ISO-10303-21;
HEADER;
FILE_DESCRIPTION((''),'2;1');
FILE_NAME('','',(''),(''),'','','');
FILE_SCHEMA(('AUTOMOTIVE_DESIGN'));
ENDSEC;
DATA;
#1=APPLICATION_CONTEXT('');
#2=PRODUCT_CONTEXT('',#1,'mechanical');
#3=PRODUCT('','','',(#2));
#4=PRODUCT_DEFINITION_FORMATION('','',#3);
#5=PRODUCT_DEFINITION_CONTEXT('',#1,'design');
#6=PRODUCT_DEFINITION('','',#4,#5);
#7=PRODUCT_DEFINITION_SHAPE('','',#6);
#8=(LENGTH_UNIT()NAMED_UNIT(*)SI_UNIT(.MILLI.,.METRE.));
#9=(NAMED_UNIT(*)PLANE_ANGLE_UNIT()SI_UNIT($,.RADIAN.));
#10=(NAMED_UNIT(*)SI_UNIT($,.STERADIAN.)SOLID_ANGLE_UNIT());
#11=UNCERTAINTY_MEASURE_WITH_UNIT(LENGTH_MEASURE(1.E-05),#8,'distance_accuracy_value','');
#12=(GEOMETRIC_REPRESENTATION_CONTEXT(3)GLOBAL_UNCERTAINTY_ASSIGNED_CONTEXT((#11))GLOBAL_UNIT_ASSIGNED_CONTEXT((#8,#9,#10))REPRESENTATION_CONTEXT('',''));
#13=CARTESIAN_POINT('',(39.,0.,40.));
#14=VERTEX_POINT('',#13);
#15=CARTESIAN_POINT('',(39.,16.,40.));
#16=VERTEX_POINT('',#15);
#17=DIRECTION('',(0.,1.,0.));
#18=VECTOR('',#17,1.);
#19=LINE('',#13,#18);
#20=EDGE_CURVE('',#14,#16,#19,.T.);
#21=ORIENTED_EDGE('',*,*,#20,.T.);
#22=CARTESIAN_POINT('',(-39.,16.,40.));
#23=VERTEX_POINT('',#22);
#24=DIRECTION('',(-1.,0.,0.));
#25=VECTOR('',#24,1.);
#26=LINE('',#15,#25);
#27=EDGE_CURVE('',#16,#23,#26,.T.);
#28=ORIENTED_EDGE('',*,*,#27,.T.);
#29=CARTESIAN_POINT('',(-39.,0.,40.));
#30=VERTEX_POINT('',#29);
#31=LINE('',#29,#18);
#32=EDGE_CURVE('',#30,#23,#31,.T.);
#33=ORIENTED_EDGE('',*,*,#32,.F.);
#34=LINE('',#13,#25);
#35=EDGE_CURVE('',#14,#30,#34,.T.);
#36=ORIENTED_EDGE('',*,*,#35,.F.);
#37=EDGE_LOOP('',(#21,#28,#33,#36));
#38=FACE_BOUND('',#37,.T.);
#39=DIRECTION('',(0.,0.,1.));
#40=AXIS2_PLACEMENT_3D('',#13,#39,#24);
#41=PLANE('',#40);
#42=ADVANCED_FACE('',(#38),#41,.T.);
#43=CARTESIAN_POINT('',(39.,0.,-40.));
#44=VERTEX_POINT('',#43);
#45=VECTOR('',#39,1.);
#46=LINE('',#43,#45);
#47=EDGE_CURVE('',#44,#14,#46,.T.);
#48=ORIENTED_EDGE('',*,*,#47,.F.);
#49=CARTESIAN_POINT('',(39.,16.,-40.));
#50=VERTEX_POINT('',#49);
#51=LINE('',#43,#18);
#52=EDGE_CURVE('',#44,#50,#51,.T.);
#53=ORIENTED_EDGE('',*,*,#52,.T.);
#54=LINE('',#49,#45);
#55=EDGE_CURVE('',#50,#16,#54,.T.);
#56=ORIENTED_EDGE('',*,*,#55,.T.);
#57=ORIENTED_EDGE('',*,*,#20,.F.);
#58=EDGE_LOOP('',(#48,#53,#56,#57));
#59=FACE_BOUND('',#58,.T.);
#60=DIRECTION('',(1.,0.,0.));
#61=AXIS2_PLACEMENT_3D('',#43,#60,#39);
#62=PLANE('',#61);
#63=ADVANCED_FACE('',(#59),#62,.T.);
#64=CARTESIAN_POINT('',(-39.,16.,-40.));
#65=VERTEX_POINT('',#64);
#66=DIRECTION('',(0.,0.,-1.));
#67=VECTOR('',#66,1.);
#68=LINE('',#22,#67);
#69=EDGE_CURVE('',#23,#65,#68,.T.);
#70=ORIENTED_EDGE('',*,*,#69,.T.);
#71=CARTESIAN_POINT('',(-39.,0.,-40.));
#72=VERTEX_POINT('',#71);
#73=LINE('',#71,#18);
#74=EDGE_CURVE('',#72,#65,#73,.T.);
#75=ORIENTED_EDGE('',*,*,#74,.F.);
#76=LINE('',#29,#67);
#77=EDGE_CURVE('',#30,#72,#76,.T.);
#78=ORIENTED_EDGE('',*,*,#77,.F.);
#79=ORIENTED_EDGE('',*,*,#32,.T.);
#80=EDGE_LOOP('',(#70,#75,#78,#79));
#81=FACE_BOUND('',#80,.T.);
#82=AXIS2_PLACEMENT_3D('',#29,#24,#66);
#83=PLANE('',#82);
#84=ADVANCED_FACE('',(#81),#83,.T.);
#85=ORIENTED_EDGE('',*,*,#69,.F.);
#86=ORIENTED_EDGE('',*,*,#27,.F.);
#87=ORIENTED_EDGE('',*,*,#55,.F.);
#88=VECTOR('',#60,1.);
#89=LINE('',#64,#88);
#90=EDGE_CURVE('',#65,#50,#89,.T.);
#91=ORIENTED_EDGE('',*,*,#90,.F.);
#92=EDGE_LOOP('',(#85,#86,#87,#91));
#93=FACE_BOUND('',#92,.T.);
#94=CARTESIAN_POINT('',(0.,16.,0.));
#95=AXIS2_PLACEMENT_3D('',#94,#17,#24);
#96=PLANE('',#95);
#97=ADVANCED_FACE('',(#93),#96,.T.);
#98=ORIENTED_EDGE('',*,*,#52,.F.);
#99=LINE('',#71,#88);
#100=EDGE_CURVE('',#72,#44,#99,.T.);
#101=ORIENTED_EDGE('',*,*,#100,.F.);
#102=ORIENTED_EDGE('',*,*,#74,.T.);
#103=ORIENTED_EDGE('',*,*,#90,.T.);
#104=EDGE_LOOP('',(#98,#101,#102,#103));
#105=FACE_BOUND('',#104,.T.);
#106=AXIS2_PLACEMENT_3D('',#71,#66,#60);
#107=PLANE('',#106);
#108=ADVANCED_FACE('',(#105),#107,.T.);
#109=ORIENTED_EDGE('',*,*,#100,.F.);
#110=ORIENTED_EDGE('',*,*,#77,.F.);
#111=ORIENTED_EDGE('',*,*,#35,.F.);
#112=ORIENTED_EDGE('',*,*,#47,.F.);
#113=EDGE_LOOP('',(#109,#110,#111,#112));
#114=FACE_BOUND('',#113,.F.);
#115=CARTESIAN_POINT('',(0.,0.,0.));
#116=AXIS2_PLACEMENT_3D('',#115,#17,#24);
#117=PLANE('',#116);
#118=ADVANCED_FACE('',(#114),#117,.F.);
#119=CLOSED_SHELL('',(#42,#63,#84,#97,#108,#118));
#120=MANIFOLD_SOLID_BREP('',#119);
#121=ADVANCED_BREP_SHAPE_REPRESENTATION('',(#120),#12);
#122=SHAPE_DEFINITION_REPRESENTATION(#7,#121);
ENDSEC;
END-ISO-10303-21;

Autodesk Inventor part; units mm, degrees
ref_plane "YZ Plane" through (0, 0, 0) normal (1, 0, 0) x (0, 1, 0)
ref_plane "XZ Plane" through (0, 0, 0) normal (0, 1, 0) x (-1, 0, 0)
ref_plane "XY Plane" through (0, 0, 0) normal (0, 0, 1) x (1, 0, 0)
sketch "Эскиз1" plane through (0, 0, 0) normal (0, 1, 0) x (-1, 0, 0)
  line L0 (39, -40) -> (-39, -40)
  line L1 (-39, -40) -> (-39, 40)
  line L2 (-39, 40) -> (39, 40)
  line L3 (39, 40) -> (39, -40)
  line L4 (39, -40) -> (-39, 40) construction
  line L5 (-39, -40) -> (39, 40) construction
  point P0 (0, 0)
  dimension "d0" = 78
  dimension "d1" = 80
extrude "Выдавливание1" add sketch "Эскиз1" along normal blind 16
properties part number "акумы"
